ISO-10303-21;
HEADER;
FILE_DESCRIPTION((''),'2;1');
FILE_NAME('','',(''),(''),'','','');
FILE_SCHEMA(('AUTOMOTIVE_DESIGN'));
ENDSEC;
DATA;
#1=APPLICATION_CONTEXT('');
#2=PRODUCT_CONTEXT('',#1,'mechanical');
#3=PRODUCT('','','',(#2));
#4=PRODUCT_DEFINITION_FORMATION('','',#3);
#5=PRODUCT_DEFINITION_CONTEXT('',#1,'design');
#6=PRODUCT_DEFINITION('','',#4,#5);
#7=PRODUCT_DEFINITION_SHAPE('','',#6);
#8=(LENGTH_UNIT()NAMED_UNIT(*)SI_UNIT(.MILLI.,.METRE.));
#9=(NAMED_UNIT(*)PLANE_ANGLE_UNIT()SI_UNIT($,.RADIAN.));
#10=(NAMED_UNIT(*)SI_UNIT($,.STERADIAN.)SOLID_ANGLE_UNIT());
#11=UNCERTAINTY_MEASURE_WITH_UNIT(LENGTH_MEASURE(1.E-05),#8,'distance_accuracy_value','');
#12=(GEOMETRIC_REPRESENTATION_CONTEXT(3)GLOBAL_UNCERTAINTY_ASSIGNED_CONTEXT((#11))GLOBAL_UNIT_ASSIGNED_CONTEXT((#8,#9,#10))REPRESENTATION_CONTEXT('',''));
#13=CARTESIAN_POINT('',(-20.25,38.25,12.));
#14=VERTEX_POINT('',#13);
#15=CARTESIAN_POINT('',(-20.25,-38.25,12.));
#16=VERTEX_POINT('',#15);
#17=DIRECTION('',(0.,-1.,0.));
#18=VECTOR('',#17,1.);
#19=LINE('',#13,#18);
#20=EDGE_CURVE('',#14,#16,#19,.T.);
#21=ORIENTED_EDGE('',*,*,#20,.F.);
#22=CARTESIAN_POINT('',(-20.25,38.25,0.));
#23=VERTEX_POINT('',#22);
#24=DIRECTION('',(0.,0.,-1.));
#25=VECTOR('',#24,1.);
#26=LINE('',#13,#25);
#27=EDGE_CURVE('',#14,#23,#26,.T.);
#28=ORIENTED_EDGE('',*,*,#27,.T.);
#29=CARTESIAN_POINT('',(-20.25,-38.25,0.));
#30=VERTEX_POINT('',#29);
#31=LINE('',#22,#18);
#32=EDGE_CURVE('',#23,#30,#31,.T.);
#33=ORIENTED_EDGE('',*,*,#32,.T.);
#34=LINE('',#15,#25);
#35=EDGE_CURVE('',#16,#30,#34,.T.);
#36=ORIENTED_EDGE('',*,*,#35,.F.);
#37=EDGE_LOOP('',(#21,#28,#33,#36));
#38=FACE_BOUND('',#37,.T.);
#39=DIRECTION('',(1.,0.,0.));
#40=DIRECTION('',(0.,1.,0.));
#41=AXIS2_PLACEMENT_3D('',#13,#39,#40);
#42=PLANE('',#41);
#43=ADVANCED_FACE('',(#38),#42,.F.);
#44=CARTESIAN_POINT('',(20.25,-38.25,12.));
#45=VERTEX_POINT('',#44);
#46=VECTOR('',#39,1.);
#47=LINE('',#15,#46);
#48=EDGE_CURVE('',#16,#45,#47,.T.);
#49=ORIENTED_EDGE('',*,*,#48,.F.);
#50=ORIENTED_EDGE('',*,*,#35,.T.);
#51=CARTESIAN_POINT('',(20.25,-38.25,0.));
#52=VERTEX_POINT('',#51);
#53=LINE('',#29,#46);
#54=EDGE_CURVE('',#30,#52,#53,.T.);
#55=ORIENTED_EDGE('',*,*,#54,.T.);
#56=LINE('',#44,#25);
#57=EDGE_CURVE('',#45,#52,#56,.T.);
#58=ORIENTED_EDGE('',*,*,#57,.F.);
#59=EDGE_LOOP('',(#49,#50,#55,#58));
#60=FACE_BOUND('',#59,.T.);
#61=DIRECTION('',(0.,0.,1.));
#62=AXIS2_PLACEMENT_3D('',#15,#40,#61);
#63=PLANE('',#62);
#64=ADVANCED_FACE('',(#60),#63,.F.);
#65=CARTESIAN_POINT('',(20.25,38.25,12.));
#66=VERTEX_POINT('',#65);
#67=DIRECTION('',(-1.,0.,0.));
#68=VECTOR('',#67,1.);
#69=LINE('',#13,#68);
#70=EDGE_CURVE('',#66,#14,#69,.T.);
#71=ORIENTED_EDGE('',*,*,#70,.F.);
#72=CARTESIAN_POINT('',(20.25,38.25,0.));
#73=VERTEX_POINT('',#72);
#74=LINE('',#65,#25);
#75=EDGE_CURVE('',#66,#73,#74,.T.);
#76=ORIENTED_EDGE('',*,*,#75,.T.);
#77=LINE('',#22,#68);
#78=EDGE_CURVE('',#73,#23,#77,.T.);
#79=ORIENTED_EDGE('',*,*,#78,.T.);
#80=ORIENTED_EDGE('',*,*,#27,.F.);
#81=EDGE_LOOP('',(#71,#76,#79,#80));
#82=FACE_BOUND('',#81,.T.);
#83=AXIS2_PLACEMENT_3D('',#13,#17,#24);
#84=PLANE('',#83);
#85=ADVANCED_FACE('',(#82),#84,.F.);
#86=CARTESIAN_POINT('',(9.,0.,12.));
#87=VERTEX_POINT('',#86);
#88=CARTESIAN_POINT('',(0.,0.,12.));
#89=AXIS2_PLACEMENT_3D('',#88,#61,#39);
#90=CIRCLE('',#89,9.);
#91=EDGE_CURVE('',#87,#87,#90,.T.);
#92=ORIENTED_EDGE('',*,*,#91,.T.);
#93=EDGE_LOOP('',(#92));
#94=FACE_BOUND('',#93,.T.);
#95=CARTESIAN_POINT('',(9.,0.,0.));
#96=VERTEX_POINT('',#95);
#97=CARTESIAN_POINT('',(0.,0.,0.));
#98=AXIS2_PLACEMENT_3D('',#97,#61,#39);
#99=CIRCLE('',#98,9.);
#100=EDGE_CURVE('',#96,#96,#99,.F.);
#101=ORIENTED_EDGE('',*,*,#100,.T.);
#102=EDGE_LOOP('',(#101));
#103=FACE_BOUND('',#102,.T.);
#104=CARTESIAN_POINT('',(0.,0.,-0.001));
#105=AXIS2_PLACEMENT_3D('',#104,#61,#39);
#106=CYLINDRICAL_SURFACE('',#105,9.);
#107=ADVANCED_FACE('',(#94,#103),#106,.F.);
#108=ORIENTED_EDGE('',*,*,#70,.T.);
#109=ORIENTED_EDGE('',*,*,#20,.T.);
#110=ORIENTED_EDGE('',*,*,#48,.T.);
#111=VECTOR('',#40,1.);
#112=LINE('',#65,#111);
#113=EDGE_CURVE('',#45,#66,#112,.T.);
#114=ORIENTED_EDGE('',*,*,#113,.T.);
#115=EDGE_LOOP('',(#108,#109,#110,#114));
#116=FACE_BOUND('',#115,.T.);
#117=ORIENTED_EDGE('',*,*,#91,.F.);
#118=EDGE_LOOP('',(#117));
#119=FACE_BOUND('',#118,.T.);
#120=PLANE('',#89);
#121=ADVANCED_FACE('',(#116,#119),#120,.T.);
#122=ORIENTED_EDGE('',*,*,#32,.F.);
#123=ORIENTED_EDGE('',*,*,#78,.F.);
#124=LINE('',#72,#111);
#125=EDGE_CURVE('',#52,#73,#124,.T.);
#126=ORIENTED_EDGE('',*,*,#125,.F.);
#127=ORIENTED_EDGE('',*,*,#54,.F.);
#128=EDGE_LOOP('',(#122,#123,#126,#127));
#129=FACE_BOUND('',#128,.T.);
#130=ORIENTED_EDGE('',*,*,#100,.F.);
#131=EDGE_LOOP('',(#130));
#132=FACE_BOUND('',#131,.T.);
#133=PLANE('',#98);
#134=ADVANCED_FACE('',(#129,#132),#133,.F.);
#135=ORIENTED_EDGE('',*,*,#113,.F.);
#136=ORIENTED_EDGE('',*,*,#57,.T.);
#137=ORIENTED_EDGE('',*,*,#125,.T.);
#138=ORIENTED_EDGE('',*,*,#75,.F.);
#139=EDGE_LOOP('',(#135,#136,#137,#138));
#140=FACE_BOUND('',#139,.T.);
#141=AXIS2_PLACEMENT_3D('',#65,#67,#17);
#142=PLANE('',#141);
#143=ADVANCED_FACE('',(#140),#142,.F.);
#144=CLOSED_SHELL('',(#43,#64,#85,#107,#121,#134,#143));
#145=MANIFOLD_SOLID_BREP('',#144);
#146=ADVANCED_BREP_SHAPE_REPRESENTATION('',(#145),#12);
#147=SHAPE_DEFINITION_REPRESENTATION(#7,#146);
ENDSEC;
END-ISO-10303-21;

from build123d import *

# Parameters (mm, degrees)
SKETCH1_W           = 40.5
SKETCH1_H           = 76.5
BOSS_EXTRUDE1_DEPTH = 12
CUT_EXTRUDE1_REACH  = 14
SKETCH2_R           = 9


with BuildPart() as part:
    # Sketch1 → Boss-Extrude1 (new body)
    with BuildSketch(Plane.XY):
        Rectangle(SKETCH1_W, SKETCH1_H)
    extrude(amount=BOSS_EXTRUDE1_DEPTH)

    # Sketch2 → Cut-Extrude1 (cut, up to next)
    with BuildSketch(Plane.XY.offset(12), mode=Mode.PRIVATE) as cut_extrude1_sk1:
        Circle(SKETCH2_R)
    cut_extrude1_tool1 = extrude(cut_extrude1_sk1.sketch, amount=-CUT_EXTRUDE1_REACH, mode=Mode.PRIVATE) & part.part
    add(cut_extrude1_tool1.solids().sort_by_distance((0, 0, 12))[0], mode=Mode.SUBTRACT)


solid = part.part
